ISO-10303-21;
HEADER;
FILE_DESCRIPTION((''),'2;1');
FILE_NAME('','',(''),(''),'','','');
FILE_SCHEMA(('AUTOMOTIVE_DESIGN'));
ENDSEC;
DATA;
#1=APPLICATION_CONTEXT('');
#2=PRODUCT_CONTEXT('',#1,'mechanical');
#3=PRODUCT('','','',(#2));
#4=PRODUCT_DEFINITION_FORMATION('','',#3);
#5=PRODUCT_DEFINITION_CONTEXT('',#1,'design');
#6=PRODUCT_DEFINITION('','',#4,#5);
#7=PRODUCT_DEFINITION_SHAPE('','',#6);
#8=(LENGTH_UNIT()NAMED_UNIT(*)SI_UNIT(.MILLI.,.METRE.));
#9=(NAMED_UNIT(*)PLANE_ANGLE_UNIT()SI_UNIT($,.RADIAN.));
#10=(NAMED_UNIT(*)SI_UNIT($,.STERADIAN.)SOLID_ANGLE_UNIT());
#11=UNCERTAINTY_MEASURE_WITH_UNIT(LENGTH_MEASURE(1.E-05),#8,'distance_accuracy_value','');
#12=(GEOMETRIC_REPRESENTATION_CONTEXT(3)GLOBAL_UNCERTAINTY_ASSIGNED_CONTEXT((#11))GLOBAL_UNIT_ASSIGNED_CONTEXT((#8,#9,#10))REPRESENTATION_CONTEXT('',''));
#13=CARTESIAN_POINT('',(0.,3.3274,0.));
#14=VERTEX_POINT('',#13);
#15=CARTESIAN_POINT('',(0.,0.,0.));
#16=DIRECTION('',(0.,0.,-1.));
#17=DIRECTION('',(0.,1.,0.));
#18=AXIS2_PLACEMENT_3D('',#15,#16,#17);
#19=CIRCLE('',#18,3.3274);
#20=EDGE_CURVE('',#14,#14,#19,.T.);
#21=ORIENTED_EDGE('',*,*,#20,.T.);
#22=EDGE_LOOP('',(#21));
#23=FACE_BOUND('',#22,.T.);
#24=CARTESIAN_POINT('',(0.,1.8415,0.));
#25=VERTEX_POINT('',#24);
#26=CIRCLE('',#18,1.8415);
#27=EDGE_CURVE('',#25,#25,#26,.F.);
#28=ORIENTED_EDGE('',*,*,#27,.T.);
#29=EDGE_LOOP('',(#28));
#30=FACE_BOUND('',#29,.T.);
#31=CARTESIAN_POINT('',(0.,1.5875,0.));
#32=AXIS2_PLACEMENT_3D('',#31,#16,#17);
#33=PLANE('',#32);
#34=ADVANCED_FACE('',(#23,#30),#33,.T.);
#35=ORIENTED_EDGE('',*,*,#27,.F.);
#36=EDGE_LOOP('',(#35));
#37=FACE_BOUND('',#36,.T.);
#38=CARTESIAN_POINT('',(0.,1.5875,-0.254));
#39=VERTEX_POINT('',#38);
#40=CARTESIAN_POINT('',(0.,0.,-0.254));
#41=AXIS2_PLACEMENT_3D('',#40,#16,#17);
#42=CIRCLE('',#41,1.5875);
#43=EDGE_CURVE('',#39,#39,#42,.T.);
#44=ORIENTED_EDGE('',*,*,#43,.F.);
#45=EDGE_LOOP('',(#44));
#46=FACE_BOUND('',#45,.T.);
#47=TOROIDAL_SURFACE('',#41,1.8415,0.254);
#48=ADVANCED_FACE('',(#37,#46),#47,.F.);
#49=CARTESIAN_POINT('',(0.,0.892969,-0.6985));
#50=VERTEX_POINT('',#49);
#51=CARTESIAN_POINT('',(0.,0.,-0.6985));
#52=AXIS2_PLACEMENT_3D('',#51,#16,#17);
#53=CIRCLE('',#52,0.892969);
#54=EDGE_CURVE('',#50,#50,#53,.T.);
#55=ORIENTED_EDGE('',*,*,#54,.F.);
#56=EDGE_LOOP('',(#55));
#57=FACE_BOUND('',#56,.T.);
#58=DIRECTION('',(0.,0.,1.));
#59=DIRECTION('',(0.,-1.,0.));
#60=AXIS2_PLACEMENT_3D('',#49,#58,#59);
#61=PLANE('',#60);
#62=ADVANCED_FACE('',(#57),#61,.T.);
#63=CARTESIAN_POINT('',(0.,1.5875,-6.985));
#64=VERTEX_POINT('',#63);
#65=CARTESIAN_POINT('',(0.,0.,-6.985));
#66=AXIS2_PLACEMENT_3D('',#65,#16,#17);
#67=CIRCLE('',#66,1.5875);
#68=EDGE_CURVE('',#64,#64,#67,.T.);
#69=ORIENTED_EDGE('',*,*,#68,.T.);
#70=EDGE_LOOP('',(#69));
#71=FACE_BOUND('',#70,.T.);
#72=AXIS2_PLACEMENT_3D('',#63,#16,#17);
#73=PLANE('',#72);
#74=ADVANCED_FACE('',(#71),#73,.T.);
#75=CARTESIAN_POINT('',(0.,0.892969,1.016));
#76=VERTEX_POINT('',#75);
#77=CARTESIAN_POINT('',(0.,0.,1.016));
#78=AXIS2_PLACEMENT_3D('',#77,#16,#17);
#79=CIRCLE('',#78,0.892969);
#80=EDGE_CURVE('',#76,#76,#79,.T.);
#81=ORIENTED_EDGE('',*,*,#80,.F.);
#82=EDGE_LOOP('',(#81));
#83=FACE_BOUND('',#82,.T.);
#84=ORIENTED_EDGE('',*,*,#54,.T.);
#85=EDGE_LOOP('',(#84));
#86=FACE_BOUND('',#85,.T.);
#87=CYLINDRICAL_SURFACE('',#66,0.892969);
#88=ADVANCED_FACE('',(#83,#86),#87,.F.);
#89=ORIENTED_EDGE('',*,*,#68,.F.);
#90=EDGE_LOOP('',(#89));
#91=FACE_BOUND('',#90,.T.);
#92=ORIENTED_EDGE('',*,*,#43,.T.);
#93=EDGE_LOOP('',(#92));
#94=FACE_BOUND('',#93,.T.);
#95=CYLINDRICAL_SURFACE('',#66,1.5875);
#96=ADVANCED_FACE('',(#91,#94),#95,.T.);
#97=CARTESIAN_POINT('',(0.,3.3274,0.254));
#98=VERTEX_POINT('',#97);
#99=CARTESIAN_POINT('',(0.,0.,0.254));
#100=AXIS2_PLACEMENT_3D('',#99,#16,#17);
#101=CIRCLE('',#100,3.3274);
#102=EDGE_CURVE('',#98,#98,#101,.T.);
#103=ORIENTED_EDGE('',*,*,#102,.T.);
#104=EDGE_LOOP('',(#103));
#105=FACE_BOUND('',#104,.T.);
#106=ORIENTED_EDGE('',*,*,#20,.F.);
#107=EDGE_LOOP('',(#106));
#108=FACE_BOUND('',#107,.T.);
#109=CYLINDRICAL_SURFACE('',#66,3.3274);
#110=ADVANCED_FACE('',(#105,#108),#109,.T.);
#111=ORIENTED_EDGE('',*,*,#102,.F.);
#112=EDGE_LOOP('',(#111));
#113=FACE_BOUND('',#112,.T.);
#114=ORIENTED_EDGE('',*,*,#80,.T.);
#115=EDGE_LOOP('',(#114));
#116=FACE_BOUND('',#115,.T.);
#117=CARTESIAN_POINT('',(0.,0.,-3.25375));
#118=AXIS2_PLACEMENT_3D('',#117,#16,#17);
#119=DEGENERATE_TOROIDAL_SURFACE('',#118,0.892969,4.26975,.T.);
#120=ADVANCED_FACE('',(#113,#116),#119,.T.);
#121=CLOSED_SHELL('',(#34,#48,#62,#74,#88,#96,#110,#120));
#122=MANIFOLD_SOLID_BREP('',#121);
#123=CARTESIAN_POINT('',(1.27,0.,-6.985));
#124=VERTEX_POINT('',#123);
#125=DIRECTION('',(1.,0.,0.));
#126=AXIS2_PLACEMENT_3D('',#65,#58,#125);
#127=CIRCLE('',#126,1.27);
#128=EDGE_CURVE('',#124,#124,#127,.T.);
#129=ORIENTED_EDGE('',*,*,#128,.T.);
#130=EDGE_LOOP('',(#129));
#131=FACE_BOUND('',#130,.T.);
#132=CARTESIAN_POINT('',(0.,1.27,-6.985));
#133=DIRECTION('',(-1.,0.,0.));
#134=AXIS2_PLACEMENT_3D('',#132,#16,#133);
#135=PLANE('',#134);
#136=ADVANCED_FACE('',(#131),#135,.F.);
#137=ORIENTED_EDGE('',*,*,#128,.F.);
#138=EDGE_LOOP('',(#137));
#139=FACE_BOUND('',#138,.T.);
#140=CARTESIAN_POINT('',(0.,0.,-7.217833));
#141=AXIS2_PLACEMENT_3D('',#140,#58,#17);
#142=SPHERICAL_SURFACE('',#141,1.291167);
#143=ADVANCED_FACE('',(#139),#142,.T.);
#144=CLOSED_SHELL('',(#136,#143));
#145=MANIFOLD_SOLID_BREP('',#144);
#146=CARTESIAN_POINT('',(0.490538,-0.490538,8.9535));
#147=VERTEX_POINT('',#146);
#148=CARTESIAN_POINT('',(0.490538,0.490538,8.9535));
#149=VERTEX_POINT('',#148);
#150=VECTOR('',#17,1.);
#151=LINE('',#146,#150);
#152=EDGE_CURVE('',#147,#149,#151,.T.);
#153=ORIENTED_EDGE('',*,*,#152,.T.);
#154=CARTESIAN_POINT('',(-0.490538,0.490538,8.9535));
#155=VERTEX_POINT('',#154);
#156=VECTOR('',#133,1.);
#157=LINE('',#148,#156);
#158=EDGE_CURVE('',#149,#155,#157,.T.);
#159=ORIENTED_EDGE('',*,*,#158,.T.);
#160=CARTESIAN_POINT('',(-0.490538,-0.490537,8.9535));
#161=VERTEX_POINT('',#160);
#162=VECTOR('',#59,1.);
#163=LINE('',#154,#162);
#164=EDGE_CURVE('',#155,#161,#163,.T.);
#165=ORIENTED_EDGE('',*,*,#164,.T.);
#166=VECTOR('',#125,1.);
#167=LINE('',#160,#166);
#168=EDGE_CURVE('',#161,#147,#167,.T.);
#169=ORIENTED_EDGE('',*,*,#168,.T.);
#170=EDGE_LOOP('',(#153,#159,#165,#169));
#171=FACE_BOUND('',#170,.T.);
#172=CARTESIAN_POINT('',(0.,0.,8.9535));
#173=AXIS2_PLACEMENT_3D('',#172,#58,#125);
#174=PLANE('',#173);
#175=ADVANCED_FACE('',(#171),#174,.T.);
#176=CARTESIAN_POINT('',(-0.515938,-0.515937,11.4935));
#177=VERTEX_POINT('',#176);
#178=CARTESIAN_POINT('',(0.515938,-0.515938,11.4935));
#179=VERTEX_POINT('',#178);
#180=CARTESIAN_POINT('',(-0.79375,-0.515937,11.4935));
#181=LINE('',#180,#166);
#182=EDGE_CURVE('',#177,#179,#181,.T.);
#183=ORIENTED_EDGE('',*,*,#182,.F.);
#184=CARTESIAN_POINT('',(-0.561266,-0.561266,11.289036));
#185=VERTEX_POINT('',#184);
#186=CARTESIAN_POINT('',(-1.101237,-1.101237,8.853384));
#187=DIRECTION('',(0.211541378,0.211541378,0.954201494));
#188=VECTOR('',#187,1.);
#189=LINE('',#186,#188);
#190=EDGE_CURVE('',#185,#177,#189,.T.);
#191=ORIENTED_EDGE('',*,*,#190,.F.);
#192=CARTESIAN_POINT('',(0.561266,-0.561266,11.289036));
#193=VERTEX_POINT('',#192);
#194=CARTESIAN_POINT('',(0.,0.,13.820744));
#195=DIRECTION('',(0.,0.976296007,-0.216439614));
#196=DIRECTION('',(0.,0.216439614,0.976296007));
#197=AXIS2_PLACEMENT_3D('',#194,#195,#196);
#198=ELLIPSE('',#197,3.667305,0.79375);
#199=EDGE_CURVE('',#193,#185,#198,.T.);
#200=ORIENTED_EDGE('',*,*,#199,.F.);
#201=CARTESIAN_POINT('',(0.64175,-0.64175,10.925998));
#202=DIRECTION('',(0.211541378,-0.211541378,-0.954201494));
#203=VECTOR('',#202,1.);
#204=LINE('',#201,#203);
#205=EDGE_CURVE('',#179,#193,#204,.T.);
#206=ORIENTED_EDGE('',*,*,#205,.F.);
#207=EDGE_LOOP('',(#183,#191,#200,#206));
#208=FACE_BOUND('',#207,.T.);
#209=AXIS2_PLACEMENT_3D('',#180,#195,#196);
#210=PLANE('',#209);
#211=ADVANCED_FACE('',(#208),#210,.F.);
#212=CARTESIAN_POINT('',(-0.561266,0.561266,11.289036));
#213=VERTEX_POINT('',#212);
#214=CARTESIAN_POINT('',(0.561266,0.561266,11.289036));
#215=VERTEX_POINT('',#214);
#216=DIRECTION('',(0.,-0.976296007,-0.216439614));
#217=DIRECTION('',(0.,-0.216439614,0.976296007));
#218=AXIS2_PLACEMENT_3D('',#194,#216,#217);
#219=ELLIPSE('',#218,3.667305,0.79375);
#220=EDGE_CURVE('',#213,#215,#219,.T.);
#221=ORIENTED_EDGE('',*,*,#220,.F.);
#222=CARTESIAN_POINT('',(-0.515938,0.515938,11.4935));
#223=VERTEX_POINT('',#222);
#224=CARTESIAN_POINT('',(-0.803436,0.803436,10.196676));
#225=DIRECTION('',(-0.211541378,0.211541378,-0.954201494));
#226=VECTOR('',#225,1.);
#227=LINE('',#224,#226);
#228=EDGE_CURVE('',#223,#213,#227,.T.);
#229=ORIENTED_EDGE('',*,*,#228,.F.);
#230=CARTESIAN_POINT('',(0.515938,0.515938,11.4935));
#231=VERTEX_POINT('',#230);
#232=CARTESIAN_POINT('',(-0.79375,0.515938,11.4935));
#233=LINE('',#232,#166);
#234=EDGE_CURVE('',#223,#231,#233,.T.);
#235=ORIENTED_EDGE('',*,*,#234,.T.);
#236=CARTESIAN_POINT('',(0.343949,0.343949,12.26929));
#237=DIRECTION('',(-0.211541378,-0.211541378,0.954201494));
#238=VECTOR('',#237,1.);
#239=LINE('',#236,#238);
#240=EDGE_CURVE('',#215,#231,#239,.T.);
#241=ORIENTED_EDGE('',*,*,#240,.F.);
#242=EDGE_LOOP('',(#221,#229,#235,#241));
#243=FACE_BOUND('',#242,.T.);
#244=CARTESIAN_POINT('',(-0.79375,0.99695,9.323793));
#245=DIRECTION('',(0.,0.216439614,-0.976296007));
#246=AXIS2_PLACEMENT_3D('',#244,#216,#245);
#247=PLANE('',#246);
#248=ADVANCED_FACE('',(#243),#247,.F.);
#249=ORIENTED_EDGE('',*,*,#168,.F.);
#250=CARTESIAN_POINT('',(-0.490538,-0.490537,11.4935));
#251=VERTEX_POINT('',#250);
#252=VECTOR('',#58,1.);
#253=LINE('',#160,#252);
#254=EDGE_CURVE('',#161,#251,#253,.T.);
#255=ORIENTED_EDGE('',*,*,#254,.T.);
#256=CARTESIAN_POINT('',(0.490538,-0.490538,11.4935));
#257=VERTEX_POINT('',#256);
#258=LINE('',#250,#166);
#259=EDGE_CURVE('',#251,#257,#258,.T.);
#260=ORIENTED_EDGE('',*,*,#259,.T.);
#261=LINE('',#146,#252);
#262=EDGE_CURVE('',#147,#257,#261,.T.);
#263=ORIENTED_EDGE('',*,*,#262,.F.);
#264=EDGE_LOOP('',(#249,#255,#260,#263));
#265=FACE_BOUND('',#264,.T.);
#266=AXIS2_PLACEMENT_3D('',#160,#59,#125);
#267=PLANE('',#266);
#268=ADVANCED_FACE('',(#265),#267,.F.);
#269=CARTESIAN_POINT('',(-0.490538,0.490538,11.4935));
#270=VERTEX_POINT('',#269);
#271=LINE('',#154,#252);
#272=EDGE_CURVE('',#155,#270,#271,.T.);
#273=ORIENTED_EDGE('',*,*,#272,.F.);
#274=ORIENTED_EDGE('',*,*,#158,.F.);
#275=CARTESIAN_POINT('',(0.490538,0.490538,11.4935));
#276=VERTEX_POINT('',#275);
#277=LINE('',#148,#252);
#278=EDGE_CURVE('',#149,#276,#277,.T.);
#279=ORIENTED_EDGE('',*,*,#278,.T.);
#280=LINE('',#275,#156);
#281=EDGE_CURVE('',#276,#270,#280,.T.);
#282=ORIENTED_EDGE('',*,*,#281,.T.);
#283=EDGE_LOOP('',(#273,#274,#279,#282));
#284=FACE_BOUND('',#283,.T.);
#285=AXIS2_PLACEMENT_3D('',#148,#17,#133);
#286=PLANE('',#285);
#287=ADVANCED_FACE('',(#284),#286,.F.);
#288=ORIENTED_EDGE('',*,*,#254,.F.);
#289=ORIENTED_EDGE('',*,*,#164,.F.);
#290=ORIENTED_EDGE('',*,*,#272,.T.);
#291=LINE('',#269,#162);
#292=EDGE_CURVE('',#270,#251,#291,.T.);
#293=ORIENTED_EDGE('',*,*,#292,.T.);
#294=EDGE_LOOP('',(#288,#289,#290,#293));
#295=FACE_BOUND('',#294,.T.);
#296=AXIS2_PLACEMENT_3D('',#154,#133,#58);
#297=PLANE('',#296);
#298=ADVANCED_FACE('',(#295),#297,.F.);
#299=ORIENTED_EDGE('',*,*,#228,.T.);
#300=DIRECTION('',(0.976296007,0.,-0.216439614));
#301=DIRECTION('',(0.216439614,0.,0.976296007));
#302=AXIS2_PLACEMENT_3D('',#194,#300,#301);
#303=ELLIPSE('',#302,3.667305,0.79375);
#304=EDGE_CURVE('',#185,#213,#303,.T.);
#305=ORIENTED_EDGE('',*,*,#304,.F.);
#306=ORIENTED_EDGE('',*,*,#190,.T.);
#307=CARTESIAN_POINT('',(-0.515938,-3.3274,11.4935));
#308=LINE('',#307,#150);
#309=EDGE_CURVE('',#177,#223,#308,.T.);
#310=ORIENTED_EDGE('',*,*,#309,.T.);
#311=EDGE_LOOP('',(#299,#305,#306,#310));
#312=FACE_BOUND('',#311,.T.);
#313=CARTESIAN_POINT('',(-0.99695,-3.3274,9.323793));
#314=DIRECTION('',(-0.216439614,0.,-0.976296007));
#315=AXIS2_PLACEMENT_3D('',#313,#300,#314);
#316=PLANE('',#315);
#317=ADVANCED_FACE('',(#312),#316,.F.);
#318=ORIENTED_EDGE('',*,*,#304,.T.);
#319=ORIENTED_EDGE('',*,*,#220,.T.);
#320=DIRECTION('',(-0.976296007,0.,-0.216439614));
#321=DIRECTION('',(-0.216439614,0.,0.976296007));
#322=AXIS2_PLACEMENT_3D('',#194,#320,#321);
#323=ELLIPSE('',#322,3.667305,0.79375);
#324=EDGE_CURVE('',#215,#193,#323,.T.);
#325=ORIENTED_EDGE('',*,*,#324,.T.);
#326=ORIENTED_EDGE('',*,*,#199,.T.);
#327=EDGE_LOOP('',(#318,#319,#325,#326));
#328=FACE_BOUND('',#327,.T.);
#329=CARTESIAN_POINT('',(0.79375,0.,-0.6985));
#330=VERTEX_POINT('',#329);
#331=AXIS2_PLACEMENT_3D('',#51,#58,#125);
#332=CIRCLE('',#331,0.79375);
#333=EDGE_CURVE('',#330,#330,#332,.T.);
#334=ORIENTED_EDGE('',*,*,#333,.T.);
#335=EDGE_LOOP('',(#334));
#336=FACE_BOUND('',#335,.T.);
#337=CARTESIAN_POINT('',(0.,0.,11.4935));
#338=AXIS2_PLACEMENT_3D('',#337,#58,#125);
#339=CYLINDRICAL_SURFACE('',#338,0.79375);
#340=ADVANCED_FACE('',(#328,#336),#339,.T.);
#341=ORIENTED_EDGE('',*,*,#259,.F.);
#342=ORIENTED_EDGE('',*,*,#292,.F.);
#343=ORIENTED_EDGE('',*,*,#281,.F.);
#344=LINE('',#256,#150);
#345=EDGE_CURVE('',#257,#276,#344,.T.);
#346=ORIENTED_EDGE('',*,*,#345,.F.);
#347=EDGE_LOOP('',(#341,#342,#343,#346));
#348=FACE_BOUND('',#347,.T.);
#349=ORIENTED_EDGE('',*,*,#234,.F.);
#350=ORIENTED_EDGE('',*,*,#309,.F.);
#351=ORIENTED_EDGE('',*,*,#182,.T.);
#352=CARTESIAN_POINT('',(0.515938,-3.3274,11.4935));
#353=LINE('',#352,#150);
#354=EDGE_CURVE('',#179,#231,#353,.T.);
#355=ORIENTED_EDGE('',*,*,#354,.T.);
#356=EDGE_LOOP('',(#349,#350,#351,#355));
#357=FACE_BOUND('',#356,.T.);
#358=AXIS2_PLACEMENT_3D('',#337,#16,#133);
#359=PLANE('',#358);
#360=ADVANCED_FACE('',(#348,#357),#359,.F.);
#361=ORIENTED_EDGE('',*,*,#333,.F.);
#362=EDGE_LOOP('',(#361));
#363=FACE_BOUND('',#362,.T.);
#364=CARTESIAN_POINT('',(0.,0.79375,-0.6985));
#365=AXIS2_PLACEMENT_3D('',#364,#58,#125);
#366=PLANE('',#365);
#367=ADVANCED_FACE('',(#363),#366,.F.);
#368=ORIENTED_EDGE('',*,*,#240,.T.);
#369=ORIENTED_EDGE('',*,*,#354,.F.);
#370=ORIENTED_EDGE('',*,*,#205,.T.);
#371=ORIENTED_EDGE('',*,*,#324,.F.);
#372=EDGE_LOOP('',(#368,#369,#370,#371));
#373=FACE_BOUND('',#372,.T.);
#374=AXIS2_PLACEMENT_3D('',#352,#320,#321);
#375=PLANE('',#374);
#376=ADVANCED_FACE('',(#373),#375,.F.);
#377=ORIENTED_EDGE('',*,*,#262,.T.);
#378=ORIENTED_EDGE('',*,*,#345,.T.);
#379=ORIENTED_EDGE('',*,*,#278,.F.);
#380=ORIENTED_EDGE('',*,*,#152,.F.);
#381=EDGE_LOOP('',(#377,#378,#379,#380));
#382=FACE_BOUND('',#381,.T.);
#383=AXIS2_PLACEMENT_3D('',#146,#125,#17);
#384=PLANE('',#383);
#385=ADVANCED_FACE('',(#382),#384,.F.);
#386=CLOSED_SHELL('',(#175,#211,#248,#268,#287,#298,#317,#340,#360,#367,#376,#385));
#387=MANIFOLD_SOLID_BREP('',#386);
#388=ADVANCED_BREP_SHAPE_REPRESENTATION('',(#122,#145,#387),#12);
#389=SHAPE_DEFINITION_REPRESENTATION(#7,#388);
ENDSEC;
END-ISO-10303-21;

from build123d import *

# Parameters (mm, degrees)
SKETCH7_W          = 12.192
SKETCH7_H          = 0.79375
CUT_EXTRUDE1_DEPTH = 13.419489728
CIRPATTERN1_COUNT  = 2
CIRPATTERN1_ANGLE  = 90
SKETCH9_W          = 0.981075
SKETCH9_H          = 0.981075
CUT_EXTRUDE3_DEPTH = 2.54
FILLET2_R          = 0.254


with BuildPart() as part:
    # Sketch2 → Revolve1 (revolve)
    with BuildSketch(Plane(origin=(0, 0, 0), x_dir=(0, 0, -1), z_dir=(1, 0, 0))):
        with BuildLine():
            Line((6.985, 1.5875), (0, 1.5875))
            Line((0, 1.5875), (0, 3.3274))
            Line((0, 3.3274), (-0.254, 3.3274))
            ThreePointArc((-0.254, 3.3274), (-0.82104942, 2.168419603), (-1.016, 0.89296875))
            Line((-1.016, 0.89296875), (0, 0.89296875))
            Line((0, 0.89296875), (0.6985, 0.89296875))
            Line((0.6985, 0.89296875), (0.6985, 0))
            Line((0.6985, 0), (6.985, 0))
            Line((6.985, 0), (6.985, 1.5875))
        make_face()
    revolve(axis=Axis((0, 0, -6.985), (0, 0, 1)))

    # Fillet2
    fillet2_edges = [part.edges().sort_by_distance(p)[0] for p in [
        (0, -1.5875, 0),
    ]]
    fillet(fillet2_edges, radius=FILLET2_R)


with BuildPart() as body_2:
    # Sketch7 → Revolve2 (revolve)
    with BuildSketch(Plane(origin=(0, 0, 0), x_dir=(0, 0, -1), z_dir=(1, 0, 0)), mode=Mode.PRIVATE) as revolve2_sk:
        with Locations((-5.3975, 0.396875)):
            Rectangle(SKETCH7_W, SKETCH7_H)
    revolve(revolve2_sk.sketch.rotate(Axis((0, 0, 11.4935), (0, 0, -1)), 90), axis=Axis((0, 0, 11.4935), (0, 0, -1)))

    # Sketch3 → Cut-Extrude1 (cut, symmetric)
    with BuildSketch(Plane(origin=(0, 0, 0), x_dir=(1, 0, 0), z_dir=(0, 1, 0))):
        Polygon((-0.99695, -9.323792826), (-0.5159375, -11.4935), (0.5159375, -11.4935), (0.99695, -9.323792826), (0.99695, -12.0015), (-0.99695, -12.0015), align=None)
    cut_extrude1 = extrude(amount=CUT_EXTRUDE1_DEPTH, both=True, mode=Mode.SUBTRACT)

    # CirPattern1: Cut-Extrude1 ×2 about axis
    cirpattern1_axis = Axis((0, 0, 11.4935), (0, 0, -1))
    for i in range(1, CIRPATTERN1_COUNT):
        add(cut_extrude1.rotate(cirpattern1_axis, i * CIRPATTERN1_ANGLE / (CIRPATTERN1_COUNT - 1)), mode=Mode.SUBTRACT)

    # Sketch9 → Cut-Extrude3 (cut)
    with BuildSketch(Plane.XY.offset(11.4935)):
        Rectangle(SKETCH9_W, SKETCH9_H)
    extrude(amount=-CUT_EXTRUDE3_DEPTH, mode=Mode.SUBTRACT)


with BuildPart() as body_3:
    # Sketch8 → Revolve3 (revolve)
    with BuildSketch(Plane(origin=(0, 0, 0), x_dir=(0, 0, -1), z_dir=(1, 0, 0))):
        with BuildLine():
            Line((6.985, 1.27), (6.985, 0))
            Line((6.985, 0), (8.509, 0))
            ThreePointArc((8.509, 0), (8.044418091, 0.991901709), (6.985, 1.27))
        make_face()
    revolve(axis=Axis((0, 0, -6.985), (0, 0, -1)))


solid = Compound([part.part, body_2.part, body_3.part])
